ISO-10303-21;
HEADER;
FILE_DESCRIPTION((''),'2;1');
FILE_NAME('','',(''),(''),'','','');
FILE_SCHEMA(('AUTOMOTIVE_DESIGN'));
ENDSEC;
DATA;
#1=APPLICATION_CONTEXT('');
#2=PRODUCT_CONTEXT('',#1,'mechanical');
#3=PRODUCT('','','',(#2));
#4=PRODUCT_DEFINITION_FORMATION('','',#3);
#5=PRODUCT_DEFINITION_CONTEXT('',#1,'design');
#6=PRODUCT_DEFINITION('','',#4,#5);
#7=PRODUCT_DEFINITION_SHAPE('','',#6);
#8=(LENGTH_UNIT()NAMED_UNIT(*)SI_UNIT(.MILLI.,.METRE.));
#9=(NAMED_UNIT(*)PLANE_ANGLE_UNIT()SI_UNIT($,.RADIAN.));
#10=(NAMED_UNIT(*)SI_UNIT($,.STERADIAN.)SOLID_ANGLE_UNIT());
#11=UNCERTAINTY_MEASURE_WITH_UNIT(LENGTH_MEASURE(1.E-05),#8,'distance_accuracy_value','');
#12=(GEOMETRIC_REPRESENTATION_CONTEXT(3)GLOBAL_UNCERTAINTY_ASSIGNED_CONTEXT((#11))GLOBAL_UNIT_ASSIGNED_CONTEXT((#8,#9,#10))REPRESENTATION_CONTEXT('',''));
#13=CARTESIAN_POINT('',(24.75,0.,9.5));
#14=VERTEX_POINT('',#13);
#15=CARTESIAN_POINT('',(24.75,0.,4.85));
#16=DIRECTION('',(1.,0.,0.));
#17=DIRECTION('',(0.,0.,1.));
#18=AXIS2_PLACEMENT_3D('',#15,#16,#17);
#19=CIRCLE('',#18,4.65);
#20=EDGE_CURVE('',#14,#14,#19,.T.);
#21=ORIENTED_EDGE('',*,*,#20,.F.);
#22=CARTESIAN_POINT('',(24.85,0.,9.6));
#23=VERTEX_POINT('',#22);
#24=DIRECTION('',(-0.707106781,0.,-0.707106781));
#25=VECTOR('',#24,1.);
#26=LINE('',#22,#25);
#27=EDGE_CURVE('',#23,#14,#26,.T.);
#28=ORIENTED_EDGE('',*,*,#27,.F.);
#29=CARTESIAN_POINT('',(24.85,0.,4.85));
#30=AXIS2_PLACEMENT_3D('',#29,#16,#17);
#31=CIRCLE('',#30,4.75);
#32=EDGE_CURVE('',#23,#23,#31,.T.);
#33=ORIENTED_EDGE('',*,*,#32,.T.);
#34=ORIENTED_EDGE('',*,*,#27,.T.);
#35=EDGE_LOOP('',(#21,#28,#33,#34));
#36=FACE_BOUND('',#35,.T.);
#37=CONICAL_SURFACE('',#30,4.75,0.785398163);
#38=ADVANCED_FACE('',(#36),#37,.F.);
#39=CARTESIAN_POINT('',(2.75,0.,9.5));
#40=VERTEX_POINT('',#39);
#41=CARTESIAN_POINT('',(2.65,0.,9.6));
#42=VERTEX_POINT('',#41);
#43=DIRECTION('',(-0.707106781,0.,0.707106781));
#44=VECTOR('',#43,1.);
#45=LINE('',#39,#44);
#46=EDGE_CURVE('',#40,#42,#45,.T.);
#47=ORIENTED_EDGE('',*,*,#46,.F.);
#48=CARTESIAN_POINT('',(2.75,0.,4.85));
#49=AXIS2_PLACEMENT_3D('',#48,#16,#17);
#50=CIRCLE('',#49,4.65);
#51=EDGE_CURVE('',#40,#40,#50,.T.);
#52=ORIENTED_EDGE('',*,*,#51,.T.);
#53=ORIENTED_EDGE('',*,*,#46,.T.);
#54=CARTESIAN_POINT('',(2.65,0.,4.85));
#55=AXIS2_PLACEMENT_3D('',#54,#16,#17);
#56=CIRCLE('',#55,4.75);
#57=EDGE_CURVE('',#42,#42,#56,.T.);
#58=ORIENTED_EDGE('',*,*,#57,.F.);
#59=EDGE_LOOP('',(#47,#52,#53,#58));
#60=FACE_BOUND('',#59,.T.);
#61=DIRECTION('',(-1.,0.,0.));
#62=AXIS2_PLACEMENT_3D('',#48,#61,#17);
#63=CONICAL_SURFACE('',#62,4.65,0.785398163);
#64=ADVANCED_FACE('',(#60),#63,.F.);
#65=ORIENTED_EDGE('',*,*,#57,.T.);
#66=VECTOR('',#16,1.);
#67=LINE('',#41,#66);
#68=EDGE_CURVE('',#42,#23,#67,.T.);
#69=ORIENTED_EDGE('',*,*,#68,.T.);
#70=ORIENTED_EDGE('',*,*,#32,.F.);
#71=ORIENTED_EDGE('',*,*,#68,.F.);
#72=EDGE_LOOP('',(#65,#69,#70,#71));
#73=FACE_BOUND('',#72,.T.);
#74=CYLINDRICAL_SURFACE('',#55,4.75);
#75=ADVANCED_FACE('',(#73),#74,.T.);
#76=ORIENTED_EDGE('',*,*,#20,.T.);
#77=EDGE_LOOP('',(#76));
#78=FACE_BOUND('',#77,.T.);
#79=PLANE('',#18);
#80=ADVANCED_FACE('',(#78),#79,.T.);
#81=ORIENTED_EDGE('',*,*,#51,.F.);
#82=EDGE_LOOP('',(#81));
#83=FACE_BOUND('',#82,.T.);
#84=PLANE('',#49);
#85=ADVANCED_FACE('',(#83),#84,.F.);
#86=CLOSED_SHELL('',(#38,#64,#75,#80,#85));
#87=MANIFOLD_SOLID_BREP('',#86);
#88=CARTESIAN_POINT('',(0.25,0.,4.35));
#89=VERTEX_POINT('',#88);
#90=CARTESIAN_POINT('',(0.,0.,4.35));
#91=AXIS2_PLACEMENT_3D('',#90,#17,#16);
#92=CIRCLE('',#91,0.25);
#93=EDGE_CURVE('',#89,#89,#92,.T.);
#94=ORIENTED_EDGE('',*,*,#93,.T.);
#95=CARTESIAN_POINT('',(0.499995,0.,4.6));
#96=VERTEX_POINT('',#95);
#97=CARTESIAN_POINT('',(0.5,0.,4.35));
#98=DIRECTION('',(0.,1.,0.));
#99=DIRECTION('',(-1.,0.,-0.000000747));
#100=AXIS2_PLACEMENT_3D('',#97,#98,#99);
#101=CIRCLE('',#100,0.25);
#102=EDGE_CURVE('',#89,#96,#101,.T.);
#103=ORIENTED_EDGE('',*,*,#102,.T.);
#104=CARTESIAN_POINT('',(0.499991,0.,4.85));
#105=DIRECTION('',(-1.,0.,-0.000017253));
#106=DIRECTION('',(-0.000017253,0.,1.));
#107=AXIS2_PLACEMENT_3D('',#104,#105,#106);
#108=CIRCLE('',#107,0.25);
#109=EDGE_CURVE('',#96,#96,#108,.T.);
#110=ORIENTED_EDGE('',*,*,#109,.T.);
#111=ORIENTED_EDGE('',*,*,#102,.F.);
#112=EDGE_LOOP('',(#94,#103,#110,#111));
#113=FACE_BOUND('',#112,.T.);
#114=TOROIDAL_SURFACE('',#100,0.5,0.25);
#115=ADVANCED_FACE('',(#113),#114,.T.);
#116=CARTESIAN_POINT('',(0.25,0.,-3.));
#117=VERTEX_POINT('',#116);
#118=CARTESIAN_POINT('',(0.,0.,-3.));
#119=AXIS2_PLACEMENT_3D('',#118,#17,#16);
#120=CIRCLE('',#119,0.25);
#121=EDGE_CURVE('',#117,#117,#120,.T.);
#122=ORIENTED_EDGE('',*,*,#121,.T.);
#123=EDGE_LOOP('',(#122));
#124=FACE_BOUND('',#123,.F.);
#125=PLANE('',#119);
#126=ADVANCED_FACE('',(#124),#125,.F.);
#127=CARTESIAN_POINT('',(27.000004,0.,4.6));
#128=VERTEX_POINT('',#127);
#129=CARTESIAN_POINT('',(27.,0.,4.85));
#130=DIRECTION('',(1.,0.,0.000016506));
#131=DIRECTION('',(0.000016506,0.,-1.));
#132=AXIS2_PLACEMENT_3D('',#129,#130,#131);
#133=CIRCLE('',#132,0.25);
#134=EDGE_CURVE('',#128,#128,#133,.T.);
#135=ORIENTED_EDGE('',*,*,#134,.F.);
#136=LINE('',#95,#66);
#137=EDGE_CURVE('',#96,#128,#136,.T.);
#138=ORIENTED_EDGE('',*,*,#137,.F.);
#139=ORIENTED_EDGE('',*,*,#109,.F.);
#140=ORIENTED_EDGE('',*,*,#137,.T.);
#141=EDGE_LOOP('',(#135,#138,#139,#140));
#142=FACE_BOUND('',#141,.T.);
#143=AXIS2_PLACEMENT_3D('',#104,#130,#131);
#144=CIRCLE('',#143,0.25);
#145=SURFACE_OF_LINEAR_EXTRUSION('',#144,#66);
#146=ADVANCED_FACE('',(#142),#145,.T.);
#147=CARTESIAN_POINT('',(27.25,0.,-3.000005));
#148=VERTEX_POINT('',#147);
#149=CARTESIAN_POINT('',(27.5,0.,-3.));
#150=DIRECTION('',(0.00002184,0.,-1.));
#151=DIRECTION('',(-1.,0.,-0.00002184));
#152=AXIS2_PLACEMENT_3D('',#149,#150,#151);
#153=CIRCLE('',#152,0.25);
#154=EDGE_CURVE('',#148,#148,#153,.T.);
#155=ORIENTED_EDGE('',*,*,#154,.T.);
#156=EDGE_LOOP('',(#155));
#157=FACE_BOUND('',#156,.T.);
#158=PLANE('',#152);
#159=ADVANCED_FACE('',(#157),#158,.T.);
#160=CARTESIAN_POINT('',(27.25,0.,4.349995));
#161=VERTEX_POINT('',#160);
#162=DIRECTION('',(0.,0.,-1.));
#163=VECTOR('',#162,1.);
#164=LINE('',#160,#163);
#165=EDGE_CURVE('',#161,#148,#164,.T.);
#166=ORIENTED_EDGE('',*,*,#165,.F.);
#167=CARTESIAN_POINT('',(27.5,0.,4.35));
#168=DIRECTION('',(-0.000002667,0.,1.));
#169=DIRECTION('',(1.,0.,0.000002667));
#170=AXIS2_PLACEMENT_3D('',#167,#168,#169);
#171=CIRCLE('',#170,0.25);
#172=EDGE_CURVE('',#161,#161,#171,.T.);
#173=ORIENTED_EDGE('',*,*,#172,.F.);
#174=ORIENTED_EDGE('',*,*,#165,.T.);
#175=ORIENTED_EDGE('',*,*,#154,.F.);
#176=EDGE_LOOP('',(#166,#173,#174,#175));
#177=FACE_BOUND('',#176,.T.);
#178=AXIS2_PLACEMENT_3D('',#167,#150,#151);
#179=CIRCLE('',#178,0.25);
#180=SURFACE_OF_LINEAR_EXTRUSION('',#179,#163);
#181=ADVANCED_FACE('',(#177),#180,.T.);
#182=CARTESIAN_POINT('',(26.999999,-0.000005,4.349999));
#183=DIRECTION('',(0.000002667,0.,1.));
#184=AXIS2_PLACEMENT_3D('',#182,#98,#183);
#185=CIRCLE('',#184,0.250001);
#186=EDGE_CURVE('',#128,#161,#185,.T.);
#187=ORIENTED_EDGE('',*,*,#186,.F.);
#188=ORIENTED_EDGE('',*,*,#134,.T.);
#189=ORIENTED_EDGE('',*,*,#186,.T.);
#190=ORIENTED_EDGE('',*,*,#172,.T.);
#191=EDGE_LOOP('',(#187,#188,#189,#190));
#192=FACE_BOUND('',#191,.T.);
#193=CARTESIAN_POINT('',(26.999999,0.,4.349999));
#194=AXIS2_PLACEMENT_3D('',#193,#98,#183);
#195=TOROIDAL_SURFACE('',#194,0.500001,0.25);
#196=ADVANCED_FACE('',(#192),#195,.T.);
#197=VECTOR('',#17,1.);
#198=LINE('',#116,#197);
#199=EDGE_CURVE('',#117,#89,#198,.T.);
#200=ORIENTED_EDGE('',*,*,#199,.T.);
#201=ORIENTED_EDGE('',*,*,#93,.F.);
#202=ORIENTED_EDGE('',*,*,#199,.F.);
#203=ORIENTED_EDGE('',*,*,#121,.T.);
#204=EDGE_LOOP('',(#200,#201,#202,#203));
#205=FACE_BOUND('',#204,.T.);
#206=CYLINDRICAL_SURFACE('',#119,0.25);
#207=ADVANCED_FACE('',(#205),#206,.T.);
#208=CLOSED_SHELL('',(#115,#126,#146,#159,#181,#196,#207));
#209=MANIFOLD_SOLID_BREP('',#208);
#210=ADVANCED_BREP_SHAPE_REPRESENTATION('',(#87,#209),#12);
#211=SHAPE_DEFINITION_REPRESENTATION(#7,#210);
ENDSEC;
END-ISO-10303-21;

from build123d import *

# Parameters (mm, degrees)
SKETCH_R = 0.25


with BuildPart() as sweep_body:
    # Sweep: sweep along a path in Sketch001
    with BuildLine(Plane.XZ) as sweep_path:
        Line((0, -3), (0, 4.35))
        ThreePointArc((0, 4.35), (0.146443, 4.70355), (0.499991, 4.85))
        Line((0.499991, 4.85), (27, 4.85))
        ThreePointArc((27, 4.85), (27.353553, 4.703553), (27.5, 4.35))
        Line((27.5, 4.35), (27.5, -3))
    # Sketch → Sweep (sweep)
    with BuildSketch(Plane.XY.offset(-2)):
        Circle(SKETCH_R)
    sweep(path=sweep_path.line)


with BuildPart() as revolution:
    # Sketch002 → Revolution (revolve)
    with BuildSketch(Plane.XZ):
        Polygon((2.65, 9.6), (24.85, 9.6), (24.75, 9.5), (24.75, 4.85), (2.75, 4.85), (2.75, 9.5), align=None)
    revolve(axis=Axis((7.611803, 0, 4.85), (1, 0, 0)))


solid = Compound([sweep_body.part, revolution.part])
